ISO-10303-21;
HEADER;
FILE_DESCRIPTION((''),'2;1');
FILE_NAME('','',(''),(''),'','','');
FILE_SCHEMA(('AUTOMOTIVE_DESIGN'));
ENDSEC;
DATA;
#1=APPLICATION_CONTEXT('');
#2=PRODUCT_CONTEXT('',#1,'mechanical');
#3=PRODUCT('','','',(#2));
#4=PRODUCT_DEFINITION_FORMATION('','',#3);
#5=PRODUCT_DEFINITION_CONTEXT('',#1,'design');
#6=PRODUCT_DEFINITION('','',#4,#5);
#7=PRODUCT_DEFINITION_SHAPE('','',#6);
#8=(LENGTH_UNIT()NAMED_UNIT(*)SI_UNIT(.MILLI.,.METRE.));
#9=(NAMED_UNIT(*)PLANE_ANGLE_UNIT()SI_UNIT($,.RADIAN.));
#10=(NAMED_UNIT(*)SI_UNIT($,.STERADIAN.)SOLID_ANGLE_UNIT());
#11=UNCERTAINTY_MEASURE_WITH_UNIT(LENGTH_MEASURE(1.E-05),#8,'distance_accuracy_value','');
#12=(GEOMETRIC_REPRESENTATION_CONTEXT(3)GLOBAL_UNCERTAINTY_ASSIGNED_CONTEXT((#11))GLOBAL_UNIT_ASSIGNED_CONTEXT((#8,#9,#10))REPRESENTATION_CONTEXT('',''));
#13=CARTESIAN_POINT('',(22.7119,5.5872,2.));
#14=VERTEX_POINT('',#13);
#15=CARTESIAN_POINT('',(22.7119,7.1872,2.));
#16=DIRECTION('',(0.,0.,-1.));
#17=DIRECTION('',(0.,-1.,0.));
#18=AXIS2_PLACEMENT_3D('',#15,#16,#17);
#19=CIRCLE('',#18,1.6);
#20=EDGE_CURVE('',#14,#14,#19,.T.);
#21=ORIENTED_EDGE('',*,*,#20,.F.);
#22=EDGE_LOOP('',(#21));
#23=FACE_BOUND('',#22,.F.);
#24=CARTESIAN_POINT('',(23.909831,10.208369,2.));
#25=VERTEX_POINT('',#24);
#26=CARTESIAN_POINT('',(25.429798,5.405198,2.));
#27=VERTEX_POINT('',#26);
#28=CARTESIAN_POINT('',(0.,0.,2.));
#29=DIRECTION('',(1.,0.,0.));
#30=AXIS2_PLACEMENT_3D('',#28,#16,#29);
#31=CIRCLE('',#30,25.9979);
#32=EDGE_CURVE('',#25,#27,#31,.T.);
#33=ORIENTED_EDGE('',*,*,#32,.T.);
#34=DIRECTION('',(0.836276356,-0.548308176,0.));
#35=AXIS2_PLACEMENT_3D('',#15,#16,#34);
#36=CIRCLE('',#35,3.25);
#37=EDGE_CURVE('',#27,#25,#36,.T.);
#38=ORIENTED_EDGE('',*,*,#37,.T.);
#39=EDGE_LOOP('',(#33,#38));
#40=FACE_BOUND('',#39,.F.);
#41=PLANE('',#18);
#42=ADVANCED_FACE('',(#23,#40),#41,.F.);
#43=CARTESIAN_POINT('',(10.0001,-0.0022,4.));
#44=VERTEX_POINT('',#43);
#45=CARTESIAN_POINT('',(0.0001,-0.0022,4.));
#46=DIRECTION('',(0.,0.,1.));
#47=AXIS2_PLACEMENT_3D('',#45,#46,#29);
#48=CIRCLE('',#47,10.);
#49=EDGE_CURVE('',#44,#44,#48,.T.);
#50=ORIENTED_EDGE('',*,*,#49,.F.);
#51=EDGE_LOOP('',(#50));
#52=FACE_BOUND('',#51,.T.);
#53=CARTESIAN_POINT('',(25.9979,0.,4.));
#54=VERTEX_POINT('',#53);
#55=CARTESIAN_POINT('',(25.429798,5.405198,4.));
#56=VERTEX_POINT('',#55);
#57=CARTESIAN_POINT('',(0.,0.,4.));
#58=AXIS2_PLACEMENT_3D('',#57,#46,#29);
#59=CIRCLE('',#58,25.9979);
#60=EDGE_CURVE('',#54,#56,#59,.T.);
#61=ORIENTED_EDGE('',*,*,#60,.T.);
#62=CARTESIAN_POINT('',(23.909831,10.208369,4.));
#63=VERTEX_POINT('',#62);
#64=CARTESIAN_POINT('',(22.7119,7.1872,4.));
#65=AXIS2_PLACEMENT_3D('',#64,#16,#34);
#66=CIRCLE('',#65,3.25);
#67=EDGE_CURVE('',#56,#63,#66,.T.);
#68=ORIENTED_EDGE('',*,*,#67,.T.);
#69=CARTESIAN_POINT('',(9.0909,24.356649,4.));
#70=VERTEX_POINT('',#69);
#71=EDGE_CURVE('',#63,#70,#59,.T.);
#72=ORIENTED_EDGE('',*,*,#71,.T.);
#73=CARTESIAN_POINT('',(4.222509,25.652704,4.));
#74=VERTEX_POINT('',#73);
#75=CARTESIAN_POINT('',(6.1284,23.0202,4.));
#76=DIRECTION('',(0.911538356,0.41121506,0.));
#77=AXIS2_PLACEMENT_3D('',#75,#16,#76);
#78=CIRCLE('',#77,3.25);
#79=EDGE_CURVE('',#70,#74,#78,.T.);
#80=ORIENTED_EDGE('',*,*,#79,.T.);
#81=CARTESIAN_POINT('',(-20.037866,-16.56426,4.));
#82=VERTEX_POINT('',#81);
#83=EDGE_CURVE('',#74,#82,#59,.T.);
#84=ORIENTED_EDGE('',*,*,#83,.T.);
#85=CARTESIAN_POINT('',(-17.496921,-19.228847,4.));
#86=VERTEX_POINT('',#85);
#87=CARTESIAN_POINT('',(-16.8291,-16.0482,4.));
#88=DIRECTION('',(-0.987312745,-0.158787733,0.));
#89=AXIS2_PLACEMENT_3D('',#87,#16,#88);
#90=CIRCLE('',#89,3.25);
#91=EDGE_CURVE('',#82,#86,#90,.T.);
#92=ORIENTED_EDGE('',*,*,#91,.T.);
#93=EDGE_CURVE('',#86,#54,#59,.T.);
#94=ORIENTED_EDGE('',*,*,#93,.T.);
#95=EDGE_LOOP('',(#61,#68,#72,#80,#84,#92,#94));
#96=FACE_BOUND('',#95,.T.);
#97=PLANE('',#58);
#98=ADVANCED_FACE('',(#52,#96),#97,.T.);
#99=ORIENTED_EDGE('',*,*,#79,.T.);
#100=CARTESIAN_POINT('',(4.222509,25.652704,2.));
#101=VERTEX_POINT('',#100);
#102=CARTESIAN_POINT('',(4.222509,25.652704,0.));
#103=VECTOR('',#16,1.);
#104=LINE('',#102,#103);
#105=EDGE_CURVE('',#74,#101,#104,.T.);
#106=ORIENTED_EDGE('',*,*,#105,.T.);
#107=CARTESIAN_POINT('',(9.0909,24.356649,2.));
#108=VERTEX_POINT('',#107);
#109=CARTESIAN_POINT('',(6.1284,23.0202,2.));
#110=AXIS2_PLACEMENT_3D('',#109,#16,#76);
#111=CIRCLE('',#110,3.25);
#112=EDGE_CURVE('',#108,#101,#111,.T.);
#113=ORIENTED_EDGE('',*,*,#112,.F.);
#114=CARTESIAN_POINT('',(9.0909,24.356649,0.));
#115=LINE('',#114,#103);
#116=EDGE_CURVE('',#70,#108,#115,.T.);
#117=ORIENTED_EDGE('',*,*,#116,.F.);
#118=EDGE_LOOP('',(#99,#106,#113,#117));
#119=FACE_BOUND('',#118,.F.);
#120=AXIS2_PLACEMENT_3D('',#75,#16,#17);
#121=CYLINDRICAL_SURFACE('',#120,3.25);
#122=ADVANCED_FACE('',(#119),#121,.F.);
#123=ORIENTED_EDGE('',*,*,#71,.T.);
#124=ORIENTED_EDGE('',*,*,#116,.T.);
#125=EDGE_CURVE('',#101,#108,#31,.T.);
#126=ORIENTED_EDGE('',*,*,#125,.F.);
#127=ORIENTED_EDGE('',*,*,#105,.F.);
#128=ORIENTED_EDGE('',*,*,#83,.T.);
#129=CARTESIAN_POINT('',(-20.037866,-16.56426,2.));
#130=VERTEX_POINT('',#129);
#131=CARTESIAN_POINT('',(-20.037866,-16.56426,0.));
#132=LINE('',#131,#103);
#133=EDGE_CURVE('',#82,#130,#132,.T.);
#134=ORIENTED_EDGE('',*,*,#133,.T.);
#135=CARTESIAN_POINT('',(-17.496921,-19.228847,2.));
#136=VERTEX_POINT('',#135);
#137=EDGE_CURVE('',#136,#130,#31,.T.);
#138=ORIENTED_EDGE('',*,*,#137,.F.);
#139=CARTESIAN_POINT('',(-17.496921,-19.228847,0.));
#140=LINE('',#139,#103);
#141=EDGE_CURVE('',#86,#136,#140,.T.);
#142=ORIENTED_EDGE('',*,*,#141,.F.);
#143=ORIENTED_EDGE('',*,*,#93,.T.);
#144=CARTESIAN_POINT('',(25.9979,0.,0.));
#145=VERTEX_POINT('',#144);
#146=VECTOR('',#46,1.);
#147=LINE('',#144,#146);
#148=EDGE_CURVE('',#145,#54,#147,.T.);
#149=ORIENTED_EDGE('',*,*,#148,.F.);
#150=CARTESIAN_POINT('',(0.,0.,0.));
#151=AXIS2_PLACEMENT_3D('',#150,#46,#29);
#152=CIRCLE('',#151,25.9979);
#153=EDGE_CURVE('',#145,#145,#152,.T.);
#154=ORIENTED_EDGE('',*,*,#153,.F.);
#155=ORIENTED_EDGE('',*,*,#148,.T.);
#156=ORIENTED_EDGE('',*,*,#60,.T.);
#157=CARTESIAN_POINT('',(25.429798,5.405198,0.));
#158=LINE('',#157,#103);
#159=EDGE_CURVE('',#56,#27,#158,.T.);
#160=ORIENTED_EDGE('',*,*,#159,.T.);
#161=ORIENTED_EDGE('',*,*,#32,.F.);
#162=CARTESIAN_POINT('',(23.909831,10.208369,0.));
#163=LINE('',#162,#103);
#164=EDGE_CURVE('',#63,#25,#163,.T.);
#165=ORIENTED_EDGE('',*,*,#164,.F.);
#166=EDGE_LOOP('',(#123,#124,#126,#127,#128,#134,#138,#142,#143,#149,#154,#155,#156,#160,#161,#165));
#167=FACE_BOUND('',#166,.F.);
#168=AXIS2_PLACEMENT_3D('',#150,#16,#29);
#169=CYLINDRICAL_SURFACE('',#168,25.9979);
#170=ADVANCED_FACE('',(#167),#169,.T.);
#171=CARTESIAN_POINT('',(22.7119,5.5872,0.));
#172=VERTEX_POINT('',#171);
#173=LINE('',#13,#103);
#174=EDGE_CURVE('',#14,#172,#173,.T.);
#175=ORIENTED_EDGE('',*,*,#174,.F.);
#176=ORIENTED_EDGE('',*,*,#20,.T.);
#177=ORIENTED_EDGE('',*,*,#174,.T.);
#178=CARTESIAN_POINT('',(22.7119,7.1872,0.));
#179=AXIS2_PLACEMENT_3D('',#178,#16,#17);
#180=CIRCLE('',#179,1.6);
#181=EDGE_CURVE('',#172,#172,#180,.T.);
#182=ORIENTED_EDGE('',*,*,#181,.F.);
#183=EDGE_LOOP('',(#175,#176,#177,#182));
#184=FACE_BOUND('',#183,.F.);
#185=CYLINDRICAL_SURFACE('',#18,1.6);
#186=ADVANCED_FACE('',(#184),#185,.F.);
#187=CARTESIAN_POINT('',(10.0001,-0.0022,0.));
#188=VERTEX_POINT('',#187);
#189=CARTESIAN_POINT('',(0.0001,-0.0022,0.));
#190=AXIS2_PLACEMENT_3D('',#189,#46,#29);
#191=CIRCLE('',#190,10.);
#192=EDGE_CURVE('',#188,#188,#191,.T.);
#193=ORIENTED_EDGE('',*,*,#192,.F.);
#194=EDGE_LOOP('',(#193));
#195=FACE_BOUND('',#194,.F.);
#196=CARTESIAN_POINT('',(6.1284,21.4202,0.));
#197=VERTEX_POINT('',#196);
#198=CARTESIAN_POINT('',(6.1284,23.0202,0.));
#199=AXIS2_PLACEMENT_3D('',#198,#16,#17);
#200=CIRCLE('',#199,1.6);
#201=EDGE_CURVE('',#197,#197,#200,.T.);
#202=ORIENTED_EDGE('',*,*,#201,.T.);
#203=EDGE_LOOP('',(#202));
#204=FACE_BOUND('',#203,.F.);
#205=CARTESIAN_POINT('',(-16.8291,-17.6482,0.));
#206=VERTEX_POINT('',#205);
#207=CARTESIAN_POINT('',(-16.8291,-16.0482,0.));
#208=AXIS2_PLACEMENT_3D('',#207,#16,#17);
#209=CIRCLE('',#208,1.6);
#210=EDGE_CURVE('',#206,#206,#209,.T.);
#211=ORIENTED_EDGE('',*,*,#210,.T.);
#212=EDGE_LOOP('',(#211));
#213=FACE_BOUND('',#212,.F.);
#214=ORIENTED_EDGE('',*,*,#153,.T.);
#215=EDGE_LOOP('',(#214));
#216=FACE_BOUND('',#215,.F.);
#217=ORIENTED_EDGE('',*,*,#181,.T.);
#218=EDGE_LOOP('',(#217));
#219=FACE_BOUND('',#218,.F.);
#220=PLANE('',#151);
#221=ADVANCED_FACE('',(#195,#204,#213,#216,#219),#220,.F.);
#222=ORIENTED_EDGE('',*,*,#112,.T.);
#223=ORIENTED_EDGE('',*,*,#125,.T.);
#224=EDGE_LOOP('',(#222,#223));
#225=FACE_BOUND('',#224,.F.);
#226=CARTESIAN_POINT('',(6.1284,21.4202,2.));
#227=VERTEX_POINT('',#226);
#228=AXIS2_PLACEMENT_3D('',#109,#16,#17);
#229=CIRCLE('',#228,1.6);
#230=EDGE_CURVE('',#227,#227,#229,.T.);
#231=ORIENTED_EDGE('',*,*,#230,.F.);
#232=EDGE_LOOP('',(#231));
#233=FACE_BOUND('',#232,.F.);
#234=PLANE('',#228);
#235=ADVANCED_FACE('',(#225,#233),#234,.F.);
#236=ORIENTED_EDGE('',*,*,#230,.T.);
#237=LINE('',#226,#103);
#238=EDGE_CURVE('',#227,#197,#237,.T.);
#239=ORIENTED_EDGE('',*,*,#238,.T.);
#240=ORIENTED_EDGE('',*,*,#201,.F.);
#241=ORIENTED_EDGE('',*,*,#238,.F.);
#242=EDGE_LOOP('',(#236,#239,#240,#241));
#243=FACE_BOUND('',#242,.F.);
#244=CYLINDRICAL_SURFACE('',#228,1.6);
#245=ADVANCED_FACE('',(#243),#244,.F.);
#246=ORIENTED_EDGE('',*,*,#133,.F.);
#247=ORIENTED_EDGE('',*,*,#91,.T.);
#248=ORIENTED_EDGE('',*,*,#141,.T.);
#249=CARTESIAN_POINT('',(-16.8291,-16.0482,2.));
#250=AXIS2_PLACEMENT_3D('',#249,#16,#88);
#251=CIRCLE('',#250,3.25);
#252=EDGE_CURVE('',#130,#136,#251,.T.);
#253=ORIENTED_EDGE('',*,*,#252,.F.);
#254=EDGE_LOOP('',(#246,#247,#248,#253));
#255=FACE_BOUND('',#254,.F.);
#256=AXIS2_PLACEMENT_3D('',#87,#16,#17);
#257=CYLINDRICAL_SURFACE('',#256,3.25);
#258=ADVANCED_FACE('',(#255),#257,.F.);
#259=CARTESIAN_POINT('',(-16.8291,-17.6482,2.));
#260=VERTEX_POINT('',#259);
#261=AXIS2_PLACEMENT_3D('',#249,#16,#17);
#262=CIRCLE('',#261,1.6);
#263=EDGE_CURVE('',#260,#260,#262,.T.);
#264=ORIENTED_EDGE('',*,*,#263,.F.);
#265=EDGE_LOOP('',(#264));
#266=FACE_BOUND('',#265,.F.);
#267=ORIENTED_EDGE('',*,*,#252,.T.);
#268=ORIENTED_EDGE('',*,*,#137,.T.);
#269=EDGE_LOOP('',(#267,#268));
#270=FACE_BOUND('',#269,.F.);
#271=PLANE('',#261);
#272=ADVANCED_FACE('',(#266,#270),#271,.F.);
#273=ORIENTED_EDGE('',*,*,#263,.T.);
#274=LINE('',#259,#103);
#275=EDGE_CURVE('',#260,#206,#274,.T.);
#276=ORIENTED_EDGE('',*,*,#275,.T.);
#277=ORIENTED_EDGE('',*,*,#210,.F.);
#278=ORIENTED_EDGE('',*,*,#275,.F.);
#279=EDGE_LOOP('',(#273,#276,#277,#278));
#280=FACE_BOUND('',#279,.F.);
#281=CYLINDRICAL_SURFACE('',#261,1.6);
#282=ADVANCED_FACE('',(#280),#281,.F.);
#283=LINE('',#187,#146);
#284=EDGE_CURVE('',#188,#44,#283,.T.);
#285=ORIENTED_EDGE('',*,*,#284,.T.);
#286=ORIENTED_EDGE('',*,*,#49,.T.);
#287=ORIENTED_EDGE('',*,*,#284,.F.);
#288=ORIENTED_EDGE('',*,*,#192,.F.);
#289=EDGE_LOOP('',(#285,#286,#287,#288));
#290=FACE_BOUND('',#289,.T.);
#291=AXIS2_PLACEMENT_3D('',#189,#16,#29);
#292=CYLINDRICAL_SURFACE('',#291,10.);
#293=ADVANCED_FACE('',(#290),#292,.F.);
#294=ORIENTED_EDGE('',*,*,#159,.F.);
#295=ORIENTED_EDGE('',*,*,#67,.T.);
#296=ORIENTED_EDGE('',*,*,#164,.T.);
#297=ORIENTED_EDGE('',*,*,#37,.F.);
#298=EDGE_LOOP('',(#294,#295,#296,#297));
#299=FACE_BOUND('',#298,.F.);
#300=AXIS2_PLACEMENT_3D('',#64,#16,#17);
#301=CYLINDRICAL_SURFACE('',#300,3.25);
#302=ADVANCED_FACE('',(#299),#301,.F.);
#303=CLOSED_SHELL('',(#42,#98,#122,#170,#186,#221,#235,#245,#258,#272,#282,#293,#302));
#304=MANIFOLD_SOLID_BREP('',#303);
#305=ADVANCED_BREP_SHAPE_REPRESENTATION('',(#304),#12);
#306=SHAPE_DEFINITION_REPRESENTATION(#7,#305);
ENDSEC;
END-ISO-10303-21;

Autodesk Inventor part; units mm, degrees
ref_plane "YZ Plane" through (0, 0, 0) normal (1, 0, 0) x (0, 1, 0)
ref_plane "XZ Plane" through (0, 0, 0) normal (0, 1, 0) x (-1, 0, 0)
ref_plane "XY Plane" through (0, 0, 0) normal (0, 0, 1) x (1, 0, 0)
ref_plane "Work Plane1" through (0, 0, 0) normal (0, 0, 1) x (1, 0, 0)
sketch "Sketch1" plane through (0, 0, 0) normal (0, 0, 1) x (1, 0, 0)
  circle A0 centre (0, 0) radius 25.9979 projected
  circle A1 centre (-9.4998, -11.0022) radius 2.6601 projected
  circle A2 centre (0.0001, -0.0022) radius 3.8801 projected
  circle A3 centre (0.0001, -0.0022) radius 6.7754 projected
  circle A4 centre (0.0001, -0.0022) radius 10
  point P0 (0, 0)
  dimension "d17" = 20
extrude "Extrusion1" add sketch "Sketch1" along normal blind 4 contours A0 | A1
sketch "Skizze4" plane through (0, 0, 4) normal (0, 0, 1) x (1, 0, 0)
  spline S0 degree 2 poles (24.1427, 2.2394) (24.731, 1.8489) (25.3785, 0.5587) (25.3785, -0.3311) knots 0 0 0 1 2 2 2 construction
  spline S1 degree 2 poles (25.3785, -0.3311) (25.3785, -1.1665) (24.7013, -2.5111) (24.1328, -2.8867) knots 0 0 0 1 2 2 2 construction
  spline S2 degree 2 poles (24.1328, -2.8867) (23.6682, -3.1784) (22.7141, -3.3761) (21.9726, -3.3761) knots 0 0 0 1 2 2 2 construction
  line L0 (21.9726, -3.3761) -> (20.5687, -3.3761) construction
  line L1 (20.5687, -3.3761) -> (20.5687, 2.7239) construction
  line L2 (20.5687, 2.7239) -> (21.9578, 2.7239) construction
  spline S3 degree 2 poles (21.9578, 2.7239) (22.8179, 2.7239) (23.7967, 2.4668) (24.1427, 2.2394) knots 0 0 0 1 2 2 2 construction
  spline S4 degree 2 poles (19.1896, -2.9312) (18.8979, -3.1982) (18.1564, -3.4849) (17.5978, -3.4849) knots 0 0 0 1 2 2 2 construction
  spline S5 degree 2 poles (17.5978, -3.4849) (16.9354, -3.4849) (16.0061, -3.2081) (15.5958, -3.0103) knots 0 0 0 1 2 2 2 construction
  line L3 (15.5958, -3.0103) -> (15.5958, -1.992) construction
  line L4 (15.5958, -1.992) -> (15.6551, -1.992) construction
  spline S6 degree 2 poles (15.6551, -1.992) (16.0555, -2.3677) (17.0689, -2.7829) (17.5385, -2.7829) knots 0 0 0 1 2 2 2 construction
  spline S7 degree 2 poles (17.5385, -2.7829) (18.2108, -2.7829) (18.8979, -2.2243) (18.8979, -1.7646) knots 0 0 0 1 2 2 2 construction
  spline S8 degree 2 poles (18.8979, -1.7646) (18.8979, -1.3988) (18.5371, -0.944) (18.1465, -0.8303) knots 0 0 0 1 2 2 2 construction
  spline S9 degree 2 poles (18.1465, -0.8303) (17.8648, -0.7513) (17.3952, -0.6425) (17.0442, -0.5535) knots 0 0 0 1 2 2 2 construction
  spline S10 degree 2 poles (17.0442, -0.5535) (16.7278, -0.4695) (16.2285, -0.2174) (16.0358, -0.0147) knots 0 0 0 1 2 2 2 construction
  spline S11 degree 2 poles (16.0358, -0.0147) (15.8479, 0.188) (15.6403, 0.7317) (15.6403, 1.0876) knots 0 0 0 1 2 2 2 construction
  spline S12 degree 2 poles (15.6403, 1.0876) (15.6403, 1.8291) (16.797, 2.8326) (17.6918, 2.8326) knots 0 0 0 1 2 2 2 construction
  spline S13 degree 2 poles (17.6918, 2.8326) (18.2059, 2.8326) (19.1154, 2.6299) (19.5059, 2.4372) knots 0 0 0 1 2 2 2 construction
  line L5 (19.5059, 2.4372) -> (19.5059, 1.4683) construction
  line L6 (19.5059, 1.4683) -> (19.4466, 1.4683) construction
  spline S14 degree 2 poles (19.4466, 1.4683) (19.155, 1.7352) (18.2454, 2.1307) (17.7461, 2.1307) knots 0 0 0 1 2 2 2 construction
  spline S15 degree 2 poles (17.7461, 2.1307) (17.1826, 2.1307) (16.4856, 1.6017) (16.4856, 1.1717) knots 0 0 0 1 2 2 2 construction
  spline S16 degree 2 poles (16.4856, 1.1717) (16.4856, 0.7861) (16.8959, 0.3264) (17.2815, 0.2226) knots 0 0 0 1 2 2 2 construction
  spline S17 degree 2 poles (17.2815, 0.2226) (17.5385, 0.1534) (18.285, -0.0246) (18.5321, -0.0987) knots 0 0 0 1 2 2 2 construction
  spline S18 degree 2 poles (18.5321, -0.0987) (19.1599, -0.2915) (19.7432, -1.0676) (19.7432, -1.6361) knots 0 0 0 1 2 2 2 construction
  spline S19 degree 2 poles (19.7432, -1.6361) (19.7432, -1.997) (19.4516, -2.689) (19.1896, -2.9312) knots 0 0 0 1 2 2 2 construction
  circle A0 centre (-9.9998, 17.4978) radius 1.3999 construction
  circle A1 centre (10.0001, 17.4979) radius 1.4 construction
  circle A2 centre (10.0001, -17.5021) radius 1.4 construction
  circle A3 centre (-9.9998, -17.5021) radius 1.4001 construction
  arc A4 (-25.1198, 6.6998) -> (-24.1417, 5.4917) centre (-24.1417, 6.4917) ccw construction
  line L7 (-24.1417, 5.4917) -> (-17.7002, 5.4917) construction
  arc A5 (-15.7002, 3.4917) -> (-17.7002, 5.4917) centre (-17.7002, 3.4917) ccw construction
  line L8 (-15.7002, 3.4917) -> (-15.7002, -4.496) construction
  arc A6 (-17.7002, -6.496) -> (-15.7002, -4.496) centre (-17.7002, -4.496) ccw construction
  line L9 (-17.7002, -6.496) -> (-23.8502, -6.496) construction
  arc A7 (-23.8502, -6.496) -> (-24.8235, -7.7254) centre (-23.8502, -7.496) ccw construction
  arc A8 (-24.8235, -7.7254) -> (-25.1198, 6.6998) centre (0, 0) ccw construction
  circle A9 centre (-9.4998, -11.0022) radius 2.6601 construction
  circle A10 centre (-16.8291, -16.0482) radius 1.4 construction
  circle A11 centre (6.1284, 23.0202) radius 1.4 construction
  circle A12 centre (22.7119, 7.1872) radius 1.4 construction
  circle A13 centre (0.0001, -0.0022) radius 6.5 construction
  point P0 (0, 0)
hole "Bohrung1" at (6.1284, 23.0202, 4) at (22.7119, 7.1872, 4) at (-16.8291, -16.0482, 4) direction (0, 0, -1) diameter 3.2 end through all counterbore diameter 6.5 counterbore depth 2
ref_plane "Arbeitsebene3" through (0, 0, 24) normal (0, 0, 1) x (1, 0, 0)
sketch "Skizze19" plane through (0, 0, 24) normal (0, 0, 1) x (1, 0, 0)
  circle A0 centre (0, 0) radius 9.85
  circle A1 centre (0, 0) radius 13.5
  arc A2 (4.2224, 25.6527) -> (-20.0378, -16.5643) centre (0, 0) ccw projected
  line L0 (-13.1624, 3) -> (-22.7483, 12.5859)
  circle A3 centre (0, 0) radius 25.9979 projected
  line L1 (-13.1624, 3) -> (0.394, 3) construction
  line L2 (-3, 13.1624) -> (-12.5859, 22.7483)
  line L3 (-3, 13.1624) -> (10.5565, 13.1624) construction
  dimension "d65" = 19.7
  dimension "d66" = 27
  dimension "d67" = 135
  dimension "d68" = 135
  dimension "d69" = 3
  dimension "d70" = 3
extrude "Extrusion13" [suppressed]
sketch "Skizze20" plane through (0, 0, 4) normal (0, 0, 1) x (1, 0, 0)
  arc A0 (-12.5859, 22.7483) -> (-22.7483, 12.5859) centre (0, 0) ccw projected
  line L0 (-22.7483, 12.5859) -> (-13.1624, 3) projected
  line L1 (-3, 13.1624) -> (-12.5859, 22.7483) projected
  circle A1 centre (0, 0) radius 19.9979
  point P0 (0, 0)
  point P1 (-18.2774, 8.115)
  point P2 (-8.115, 18.2774)
  dimension "d73" = 6
extrude "Extrusion14" [suppressed]
sketch "Skizze21" plane through (0, 0, 0) normal (0, 1, 0) x (-1, 0, 0)
  line L0 (13.1624, 24) -> (3, 24) projected
  line L1 (13.1624, 24) -> (13.1624, 17) projected
  line L2 (3, 17) -> (13.1624, 17) projected
  line L3 (3, 24) -> (3, 17) projected
  circle A0 centre (0, 20.5) radius 1.4
  point P0 (0, 0)
  dimension "d76" = 2.8
extrude "Extrusion15" [suppressed]
pattern_circular "Runde Anordnung1" [suppressed]
equation "\"d70\" = d69"
properties part number "Matchboxscope_sample_universal_ikealamp"
